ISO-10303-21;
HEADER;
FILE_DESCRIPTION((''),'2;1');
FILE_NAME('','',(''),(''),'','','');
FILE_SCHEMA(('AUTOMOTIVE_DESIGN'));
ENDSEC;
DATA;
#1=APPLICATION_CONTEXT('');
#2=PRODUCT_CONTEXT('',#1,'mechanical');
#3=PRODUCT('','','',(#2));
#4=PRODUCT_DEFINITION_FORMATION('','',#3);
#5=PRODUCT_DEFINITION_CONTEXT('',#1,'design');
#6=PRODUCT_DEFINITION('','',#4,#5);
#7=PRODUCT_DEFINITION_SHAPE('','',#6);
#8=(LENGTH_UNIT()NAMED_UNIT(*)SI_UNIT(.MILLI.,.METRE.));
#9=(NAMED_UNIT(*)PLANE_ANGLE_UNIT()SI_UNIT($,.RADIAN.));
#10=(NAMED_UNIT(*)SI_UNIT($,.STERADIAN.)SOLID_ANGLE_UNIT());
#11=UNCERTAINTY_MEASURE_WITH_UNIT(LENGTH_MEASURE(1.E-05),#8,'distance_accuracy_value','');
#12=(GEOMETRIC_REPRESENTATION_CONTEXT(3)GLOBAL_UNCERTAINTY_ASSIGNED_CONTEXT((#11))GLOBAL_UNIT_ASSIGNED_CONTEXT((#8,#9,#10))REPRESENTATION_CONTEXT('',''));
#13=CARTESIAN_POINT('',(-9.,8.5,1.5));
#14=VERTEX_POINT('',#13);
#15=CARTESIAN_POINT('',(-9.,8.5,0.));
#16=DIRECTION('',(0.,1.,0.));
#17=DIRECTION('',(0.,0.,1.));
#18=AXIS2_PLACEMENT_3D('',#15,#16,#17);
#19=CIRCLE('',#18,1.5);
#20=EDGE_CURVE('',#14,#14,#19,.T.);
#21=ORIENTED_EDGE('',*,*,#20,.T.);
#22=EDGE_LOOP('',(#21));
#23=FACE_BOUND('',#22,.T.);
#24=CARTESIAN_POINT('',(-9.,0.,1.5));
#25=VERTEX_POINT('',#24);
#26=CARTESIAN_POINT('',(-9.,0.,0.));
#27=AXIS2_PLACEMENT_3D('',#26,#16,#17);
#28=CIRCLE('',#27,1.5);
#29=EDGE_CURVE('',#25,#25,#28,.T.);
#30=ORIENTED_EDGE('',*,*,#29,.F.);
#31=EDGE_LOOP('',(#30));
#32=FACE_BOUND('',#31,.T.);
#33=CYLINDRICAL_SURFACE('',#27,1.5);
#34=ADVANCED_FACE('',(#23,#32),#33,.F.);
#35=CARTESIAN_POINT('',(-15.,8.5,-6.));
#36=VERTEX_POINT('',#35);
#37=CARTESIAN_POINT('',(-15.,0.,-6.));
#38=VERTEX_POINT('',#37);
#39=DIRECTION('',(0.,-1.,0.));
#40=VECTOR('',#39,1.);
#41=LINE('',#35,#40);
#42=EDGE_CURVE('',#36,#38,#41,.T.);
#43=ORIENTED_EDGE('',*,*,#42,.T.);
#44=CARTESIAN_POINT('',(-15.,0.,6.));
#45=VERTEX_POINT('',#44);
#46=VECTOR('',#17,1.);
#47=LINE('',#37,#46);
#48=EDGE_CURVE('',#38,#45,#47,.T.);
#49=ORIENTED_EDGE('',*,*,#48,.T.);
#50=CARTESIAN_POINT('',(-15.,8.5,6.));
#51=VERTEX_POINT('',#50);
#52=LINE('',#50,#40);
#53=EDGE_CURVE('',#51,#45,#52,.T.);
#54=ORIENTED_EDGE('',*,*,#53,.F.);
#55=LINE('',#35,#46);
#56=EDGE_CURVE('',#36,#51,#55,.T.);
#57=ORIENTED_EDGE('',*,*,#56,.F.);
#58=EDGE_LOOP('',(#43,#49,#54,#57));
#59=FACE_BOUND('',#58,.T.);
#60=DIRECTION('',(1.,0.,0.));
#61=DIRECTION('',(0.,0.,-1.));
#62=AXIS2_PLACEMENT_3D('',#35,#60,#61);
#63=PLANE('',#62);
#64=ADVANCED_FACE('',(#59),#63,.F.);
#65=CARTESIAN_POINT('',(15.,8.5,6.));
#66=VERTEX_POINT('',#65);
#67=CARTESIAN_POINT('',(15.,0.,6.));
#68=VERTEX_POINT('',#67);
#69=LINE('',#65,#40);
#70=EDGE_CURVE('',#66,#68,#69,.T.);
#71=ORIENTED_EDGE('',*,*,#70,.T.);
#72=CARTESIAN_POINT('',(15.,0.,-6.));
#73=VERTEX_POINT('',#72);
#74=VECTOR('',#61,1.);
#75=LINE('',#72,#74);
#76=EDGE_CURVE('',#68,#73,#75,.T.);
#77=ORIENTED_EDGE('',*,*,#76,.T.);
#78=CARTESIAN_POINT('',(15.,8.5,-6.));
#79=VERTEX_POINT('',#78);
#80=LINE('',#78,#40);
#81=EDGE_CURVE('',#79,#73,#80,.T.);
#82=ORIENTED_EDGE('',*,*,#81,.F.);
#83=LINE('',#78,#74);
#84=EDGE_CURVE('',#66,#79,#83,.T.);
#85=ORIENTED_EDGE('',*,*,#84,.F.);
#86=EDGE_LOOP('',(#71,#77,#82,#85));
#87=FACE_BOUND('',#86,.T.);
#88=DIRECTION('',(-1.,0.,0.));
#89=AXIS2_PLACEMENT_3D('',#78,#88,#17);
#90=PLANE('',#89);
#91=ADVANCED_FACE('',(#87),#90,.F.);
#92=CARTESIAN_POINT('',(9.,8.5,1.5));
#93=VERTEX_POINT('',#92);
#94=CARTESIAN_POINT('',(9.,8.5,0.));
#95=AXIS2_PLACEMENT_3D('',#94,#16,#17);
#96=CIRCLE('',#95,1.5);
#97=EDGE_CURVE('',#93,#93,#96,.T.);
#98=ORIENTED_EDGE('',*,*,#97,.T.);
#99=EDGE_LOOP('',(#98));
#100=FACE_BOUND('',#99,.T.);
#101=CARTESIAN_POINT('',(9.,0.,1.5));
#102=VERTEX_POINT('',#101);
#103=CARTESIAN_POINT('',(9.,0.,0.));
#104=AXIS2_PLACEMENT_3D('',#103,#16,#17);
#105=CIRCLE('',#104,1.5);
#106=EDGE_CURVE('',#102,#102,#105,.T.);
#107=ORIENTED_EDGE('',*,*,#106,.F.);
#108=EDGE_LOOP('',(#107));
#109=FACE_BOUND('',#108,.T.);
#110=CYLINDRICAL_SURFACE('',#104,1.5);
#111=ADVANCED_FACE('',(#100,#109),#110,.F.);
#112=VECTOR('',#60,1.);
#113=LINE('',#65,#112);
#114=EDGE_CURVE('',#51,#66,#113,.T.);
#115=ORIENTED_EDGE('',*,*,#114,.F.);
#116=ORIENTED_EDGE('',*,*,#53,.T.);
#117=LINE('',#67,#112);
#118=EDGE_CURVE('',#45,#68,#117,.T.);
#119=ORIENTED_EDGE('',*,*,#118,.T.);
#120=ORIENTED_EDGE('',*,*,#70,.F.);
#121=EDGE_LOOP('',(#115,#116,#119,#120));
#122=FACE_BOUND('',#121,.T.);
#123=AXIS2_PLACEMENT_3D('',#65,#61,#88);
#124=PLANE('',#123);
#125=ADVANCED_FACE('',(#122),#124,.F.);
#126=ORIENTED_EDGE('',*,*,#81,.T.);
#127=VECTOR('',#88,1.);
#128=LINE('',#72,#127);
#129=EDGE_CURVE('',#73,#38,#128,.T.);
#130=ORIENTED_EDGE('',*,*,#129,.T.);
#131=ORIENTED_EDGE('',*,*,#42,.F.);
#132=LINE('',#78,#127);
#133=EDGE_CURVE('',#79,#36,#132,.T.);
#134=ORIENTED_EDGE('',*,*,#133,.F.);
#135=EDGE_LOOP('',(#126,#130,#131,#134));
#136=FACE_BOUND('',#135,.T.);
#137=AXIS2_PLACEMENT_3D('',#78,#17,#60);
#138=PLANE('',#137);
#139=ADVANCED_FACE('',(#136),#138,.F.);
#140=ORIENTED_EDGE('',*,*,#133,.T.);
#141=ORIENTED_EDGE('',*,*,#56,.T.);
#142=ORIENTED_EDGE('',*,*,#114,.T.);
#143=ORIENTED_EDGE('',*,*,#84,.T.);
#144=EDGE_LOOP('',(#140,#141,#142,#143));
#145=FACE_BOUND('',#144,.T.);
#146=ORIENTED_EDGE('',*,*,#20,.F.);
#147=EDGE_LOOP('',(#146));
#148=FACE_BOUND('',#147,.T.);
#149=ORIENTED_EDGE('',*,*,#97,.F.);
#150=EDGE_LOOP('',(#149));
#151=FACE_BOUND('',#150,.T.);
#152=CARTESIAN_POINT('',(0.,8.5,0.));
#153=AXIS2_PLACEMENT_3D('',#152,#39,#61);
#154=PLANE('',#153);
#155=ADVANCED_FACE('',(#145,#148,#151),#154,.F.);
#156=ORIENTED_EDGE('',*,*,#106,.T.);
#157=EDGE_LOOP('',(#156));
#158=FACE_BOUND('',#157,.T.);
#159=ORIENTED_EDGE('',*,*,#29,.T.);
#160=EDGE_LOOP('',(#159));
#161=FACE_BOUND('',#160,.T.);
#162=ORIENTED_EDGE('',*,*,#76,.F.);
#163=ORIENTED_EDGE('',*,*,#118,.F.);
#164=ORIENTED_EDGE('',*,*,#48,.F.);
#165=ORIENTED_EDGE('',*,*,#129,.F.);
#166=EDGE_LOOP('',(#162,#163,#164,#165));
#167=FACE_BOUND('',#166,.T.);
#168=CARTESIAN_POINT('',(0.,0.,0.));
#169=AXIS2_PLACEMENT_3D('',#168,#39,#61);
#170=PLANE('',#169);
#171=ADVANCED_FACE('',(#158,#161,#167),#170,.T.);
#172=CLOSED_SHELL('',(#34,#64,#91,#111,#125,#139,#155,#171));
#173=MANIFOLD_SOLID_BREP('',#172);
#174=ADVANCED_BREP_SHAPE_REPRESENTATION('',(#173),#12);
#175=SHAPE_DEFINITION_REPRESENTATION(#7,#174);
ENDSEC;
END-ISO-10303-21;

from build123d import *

# Parameters (mm, degrees)
SKETCH1_W           = 30
SKETCH1_H           = 12
BOSS_EXTRUDE1_DEPTH = 8.5
SKETCH2_R           = 1.5
CUT_EXTRUDE1_DEPTH  = 19.255136264


with BuildPart() as part:
    # Sketch1 → Boss-Extrude1 (new body)
    with BuildSketch(Plane(origin=(0, 0, 0), x_dir=(1, 0, 0), z_dir=(0, 1, 0))):
        Rectangle(SKETCH1_W, SKETCH1_H)
    extrude(amount=BOSS_EXTRUDE1_DEPTH)

    # Sketch2 → Cut-Extrude1 (cut, through all)
    with BuildSketch(Plane(origin=(0, 8.5, 0), x_dir=(1, 0, 0), z_dir=(0, 1, 0))):
        with Locations(Location((-9, 0, 0), (0, 0, 270))):
            Circle(SKETCH2_R)
        with Locations(Location((9, 0, 0), (0, 0, 270))):
            Circle(SKETCH2_R)
    extrude(amount=-CUT_EXTRUDE1_DEPTH, mode=Mode.SUBTRACT)


solid = part.part
